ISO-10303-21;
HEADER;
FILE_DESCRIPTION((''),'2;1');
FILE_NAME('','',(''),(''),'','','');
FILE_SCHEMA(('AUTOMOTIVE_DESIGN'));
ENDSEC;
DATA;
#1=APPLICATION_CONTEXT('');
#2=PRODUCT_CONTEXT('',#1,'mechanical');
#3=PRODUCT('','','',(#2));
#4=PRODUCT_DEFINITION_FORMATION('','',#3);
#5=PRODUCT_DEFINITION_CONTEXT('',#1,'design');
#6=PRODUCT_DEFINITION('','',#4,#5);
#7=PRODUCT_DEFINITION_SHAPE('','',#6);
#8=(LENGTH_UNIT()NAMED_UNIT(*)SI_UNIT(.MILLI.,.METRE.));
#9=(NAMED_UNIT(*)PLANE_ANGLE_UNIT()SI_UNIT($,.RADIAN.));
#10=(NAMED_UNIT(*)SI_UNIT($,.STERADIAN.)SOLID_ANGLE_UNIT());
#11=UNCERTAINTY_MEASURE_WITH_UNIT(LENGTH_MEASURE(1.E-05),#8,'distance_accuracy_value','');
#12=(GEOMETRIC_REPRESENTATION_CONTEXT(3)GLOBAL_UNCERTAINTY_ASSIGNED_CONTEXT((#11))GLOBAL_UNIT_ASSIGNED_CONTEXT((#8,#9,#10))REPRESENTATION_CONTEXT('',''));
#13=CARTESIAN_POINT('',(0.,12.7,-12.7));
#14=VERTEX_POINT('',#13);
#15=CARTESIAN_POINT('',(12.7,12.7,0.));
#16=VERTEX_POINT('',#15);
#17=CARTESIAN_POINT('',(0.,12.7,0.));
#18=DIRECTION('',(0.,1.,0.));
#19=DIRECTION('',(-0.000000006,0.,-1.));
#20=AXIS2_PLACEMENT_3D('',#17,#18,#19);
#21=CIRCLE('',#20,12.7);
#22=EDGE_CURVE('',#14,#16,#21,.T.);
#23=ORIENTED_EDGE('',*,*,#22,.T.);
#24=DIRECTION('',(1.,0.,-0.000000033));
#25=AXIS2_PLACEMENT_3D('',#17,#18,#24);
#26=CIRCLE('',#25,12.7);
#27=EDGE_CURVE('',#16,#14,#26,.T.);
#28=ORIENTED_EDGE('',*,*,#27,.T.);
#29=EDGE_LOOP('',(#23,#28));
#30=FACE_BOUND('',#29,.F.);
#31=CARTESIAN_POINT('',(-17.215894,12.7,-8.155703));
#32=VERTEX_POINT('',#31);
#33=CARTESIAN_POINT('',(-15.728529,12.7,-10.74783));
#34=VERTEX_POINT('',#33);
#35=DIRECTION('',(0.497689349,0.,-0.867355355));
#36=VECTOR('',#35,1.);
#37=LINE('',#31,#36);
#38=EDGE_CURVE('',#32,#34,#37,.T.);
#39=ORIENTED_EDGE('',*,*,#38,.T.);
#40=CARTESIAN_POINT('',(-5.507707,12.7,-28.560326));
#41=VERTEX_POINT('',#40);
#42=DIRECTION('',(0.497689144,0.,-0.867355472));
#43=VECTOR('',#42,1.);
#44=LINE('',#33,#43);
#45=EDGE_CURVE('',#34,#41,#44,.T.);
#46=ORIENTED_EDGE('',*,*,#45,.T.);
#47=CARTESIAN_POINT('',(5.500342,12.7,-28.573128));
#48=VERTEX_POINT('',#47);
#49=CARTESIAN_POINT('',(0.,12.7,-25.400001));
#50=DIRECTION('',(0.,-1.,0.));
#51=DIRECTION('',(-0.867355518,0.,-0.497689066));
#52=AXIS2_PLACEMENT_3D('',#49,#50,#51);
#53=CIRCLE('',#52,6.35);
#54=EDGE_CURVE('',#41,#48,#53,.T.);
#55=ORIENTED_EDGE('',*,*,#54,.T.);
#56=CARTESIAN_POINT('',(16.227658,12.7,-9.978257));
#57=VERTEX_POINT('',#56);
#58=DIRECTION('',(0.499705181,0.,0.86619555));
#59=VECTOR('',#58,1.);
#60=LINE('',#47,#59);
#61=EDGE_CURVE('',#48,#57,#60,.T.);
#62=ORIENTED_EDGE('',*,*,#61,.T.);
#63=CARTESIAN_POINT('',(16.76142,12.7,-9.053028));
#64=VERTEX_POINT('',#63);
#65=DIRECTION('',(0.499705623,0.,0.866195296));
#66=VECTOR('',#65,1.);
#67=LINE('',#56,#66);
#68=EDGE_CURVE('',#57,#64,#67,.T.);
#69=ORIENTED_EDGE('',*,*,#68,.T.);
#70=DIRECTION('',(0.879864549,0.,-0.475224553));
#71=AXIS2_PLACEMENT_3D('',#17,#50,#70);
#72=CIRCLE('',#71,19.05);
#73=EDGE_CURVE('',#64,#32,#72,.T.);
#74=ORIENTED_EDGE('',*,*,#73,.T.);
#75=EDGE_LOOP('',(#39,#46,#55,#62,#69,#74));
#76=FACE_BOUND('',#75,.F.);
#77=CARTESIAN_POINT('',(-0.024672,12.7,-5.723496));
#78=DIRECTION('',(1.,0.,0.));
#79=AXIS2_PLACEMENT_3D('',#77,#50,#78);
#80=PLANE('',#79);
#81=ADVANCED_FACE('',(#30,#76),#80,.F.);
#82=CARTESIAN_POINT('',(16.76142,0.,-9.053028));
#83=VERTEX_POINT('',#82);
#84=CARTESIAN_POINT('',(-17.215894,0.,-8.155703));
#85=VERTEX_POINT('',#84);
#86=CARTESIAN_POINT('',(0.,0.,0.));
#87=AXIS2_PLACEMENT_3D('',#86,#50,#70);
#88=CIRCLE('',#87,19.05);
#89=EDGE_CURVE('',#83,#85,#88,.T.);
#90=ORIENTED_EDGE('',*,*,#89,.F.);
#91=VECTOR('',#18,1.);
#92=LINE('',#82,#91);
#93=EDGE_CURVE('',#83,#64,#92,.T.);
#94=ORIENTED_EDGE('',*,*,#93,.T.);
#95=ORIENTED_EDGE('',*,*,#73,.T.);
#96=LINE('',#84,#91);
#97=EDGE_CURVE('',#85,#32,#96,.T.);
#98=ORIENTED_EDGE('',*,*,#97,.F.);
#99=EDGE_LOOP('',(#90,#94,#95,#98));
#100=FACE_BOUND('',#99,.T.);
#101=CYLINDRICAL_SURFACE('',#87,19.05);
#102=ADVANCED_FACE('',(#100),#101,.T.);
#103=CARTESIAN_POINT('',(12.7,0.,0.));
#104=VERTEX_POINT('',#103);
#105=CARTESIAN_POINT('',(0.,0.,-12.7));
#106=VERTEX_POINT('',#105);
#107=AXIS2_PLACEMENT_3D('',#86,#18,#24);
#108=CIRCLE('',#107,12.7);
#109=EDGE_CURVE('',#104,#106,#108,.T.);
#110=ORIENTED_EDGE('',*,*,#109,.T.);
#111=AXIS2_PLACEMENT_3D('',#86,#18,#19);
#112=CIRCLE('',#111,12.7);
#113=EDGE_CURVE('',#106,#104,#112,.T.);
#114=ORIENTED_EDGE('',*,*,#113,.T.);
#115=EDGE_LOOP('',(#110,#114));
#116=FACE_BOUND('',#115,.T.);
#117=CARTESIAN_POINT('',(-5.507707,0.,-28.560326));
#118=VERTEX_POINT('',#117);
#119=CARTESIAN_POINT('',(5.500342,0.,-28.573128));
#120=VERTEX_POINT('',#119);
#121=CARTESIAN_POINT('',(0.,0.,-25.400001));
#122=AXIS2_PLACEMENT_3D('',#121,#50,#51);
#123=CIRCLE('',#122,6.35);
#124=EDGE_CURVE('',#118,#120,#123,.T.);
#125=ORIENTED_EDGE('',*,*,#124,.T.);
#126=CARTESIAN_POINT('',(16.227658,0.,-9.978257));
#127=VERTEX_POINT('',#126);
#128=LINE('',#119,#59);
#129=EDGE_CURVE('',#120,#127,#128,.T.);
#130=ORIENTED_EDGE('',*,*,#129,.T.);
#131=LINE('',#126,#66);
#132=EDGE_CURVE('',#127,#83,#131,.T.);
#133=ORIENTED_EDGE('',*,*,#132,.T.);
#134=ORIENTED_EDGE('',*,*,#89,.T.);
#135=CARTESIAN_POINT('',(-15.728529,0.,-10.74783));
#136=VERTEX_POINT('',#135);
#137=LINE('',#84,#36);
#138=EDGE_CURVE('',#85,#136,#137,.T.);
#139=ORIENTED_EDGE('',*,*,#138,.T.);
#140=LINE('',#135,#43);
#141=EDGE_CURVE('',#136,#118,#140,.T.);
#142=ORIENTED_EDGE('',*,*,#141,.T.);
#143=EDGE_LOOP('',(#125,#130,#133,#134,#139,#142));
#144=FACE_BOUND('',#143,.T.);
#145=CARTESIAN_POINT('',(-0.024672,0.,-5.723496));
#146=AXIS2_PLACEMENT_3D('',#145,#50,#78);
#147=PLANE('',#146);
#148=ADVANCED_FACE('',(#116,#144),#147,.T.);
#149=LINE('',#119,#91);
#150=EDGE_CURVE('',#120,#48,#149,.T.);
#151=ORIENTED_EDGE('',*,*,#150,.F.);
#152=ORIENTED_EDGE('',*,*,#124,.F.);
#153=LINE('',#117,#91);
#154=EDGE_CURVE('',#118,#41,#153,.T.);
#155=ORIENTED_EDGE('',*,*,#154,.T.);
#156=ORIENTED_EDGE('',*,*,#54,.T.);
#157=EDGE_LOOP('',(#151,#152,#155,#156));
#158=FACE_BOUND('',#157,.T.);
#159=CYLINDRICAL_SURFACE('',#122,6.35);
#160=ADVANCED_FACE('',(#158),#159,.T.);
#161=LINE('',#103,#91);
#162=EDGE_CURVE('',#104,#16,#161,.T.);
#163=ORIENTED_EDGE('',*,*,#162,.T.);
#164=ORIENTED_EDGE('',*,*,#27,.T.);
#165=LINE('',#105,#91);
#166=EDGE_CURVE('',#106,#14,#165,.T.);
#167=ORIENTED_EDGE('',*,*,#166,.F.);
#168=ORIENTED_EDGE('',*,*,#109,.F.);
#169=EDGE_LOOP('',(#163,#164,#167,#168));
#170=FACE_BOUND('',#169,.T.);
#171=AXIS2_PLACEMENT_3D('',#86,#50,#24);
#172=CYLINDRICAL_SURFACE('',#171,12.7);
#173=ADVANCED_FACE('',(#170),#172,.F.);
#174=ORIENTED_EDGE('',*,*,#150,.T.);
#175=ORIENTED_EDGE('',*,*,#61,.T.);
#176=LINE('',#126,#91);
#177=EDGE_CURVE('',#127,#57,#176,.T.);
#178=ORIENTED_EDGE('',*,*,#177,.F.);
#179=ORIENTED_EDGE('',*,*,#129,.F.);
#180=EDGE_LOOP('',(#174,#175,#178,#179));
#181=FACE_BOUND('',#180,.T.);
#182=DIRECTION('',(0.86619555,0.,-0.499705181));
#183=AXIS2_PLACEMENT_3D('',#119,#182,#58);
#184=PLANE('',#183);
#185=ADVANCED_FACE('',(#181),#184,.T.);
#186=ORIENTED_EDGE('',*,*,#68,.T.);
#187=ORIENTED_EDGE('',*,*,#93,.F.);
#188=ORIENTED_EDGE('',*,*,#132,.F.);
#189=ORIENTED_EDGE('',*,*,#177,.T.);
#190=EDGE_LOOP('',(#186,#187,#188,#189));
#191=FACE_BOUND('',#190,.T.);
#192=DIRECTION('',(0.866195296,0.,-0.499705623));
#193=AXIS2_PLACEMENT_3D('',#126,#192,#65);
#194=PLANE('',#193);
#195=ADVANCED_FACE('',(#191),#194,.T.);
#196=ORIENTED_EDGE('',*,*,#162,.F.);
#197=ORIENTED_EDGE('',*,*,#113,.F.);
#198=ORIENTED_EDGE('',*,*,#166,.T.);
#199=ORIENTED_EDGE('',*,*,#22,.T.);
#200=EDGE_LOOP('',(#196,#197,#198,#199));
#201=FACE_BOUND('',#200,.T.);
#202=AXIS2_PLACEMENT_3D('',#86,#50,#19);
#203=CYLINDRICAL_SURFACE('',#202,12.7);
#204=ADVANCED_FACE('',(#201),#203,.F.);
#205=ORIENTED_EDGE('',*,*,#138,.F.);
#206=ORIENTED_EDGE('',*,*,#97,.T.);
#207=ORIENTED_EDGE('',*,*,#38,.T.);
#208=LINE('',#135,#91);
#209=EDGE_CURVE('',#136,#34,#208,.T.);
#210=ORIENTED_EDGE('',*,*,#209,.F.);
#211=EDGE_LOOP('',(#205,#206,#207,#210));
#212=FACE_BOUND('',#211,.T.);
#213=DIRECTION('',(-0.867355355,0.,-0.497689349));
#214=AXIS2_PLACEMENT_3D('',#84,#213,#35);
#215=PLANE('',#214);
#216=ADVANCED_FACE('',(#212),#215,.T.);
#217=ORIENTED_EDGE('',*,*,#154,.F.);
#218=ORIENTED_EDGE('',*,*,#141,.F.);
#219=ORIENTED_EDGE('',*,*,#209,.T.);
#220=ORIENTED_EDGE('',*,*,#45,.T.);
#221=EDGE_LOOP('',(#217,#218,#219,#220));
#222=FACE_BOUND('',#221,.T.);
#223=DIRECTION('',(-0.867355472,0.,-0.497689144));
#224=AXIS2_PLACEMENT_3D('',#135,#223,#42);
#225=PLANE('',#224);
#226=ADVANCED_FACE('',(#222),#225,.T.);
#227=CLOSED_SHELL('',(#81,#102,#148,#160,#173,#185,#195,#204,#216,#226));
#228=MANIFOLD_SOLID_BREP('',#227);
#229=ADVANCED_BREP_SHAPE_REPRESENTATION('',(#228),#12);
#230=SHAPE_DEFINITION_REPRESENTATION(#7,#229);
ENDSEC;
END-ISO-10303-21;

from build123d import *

# Parameters (mm, degrees)
F1_DEPTH = 12.7


with BuildPart() as f1:
    # F0 (on Front) → F1 (new body)
    with BuildSketch(Plane.XZ):
        with BuildLine():
            Line((5.500342, -28.573128), (16.227658, -9.978257))
            Line((16.227658, -9.978257), (16.76142, -9.053028))
            ThreePointArc((16.76142, -9.053028), (0.502926, 19.04336), (-17.215894, -8.155703))
            Line((-17.215894, -8.155703), (-15.728529, -10.74783))
            Line((-15.728529, -10.74783), (-5.507707, -28.560326))
            ThreePointArc((-5.507707, -28.560326), (-0.007385, -31.749996), (5.500342, -28.573128))
        make_face()
        with BuildLine():
            ThreePointArc((0, -12.7), (-8.980256, 8.980256), (12.7, 0))
            ThreePointArc((12.7, 0), (8.980256, -8.980256), (0, -12.7))
        make_face(mode=Mode.SUBTRACT)
    extrude(amount=-F1_DEPTH)


solid = f1.part
